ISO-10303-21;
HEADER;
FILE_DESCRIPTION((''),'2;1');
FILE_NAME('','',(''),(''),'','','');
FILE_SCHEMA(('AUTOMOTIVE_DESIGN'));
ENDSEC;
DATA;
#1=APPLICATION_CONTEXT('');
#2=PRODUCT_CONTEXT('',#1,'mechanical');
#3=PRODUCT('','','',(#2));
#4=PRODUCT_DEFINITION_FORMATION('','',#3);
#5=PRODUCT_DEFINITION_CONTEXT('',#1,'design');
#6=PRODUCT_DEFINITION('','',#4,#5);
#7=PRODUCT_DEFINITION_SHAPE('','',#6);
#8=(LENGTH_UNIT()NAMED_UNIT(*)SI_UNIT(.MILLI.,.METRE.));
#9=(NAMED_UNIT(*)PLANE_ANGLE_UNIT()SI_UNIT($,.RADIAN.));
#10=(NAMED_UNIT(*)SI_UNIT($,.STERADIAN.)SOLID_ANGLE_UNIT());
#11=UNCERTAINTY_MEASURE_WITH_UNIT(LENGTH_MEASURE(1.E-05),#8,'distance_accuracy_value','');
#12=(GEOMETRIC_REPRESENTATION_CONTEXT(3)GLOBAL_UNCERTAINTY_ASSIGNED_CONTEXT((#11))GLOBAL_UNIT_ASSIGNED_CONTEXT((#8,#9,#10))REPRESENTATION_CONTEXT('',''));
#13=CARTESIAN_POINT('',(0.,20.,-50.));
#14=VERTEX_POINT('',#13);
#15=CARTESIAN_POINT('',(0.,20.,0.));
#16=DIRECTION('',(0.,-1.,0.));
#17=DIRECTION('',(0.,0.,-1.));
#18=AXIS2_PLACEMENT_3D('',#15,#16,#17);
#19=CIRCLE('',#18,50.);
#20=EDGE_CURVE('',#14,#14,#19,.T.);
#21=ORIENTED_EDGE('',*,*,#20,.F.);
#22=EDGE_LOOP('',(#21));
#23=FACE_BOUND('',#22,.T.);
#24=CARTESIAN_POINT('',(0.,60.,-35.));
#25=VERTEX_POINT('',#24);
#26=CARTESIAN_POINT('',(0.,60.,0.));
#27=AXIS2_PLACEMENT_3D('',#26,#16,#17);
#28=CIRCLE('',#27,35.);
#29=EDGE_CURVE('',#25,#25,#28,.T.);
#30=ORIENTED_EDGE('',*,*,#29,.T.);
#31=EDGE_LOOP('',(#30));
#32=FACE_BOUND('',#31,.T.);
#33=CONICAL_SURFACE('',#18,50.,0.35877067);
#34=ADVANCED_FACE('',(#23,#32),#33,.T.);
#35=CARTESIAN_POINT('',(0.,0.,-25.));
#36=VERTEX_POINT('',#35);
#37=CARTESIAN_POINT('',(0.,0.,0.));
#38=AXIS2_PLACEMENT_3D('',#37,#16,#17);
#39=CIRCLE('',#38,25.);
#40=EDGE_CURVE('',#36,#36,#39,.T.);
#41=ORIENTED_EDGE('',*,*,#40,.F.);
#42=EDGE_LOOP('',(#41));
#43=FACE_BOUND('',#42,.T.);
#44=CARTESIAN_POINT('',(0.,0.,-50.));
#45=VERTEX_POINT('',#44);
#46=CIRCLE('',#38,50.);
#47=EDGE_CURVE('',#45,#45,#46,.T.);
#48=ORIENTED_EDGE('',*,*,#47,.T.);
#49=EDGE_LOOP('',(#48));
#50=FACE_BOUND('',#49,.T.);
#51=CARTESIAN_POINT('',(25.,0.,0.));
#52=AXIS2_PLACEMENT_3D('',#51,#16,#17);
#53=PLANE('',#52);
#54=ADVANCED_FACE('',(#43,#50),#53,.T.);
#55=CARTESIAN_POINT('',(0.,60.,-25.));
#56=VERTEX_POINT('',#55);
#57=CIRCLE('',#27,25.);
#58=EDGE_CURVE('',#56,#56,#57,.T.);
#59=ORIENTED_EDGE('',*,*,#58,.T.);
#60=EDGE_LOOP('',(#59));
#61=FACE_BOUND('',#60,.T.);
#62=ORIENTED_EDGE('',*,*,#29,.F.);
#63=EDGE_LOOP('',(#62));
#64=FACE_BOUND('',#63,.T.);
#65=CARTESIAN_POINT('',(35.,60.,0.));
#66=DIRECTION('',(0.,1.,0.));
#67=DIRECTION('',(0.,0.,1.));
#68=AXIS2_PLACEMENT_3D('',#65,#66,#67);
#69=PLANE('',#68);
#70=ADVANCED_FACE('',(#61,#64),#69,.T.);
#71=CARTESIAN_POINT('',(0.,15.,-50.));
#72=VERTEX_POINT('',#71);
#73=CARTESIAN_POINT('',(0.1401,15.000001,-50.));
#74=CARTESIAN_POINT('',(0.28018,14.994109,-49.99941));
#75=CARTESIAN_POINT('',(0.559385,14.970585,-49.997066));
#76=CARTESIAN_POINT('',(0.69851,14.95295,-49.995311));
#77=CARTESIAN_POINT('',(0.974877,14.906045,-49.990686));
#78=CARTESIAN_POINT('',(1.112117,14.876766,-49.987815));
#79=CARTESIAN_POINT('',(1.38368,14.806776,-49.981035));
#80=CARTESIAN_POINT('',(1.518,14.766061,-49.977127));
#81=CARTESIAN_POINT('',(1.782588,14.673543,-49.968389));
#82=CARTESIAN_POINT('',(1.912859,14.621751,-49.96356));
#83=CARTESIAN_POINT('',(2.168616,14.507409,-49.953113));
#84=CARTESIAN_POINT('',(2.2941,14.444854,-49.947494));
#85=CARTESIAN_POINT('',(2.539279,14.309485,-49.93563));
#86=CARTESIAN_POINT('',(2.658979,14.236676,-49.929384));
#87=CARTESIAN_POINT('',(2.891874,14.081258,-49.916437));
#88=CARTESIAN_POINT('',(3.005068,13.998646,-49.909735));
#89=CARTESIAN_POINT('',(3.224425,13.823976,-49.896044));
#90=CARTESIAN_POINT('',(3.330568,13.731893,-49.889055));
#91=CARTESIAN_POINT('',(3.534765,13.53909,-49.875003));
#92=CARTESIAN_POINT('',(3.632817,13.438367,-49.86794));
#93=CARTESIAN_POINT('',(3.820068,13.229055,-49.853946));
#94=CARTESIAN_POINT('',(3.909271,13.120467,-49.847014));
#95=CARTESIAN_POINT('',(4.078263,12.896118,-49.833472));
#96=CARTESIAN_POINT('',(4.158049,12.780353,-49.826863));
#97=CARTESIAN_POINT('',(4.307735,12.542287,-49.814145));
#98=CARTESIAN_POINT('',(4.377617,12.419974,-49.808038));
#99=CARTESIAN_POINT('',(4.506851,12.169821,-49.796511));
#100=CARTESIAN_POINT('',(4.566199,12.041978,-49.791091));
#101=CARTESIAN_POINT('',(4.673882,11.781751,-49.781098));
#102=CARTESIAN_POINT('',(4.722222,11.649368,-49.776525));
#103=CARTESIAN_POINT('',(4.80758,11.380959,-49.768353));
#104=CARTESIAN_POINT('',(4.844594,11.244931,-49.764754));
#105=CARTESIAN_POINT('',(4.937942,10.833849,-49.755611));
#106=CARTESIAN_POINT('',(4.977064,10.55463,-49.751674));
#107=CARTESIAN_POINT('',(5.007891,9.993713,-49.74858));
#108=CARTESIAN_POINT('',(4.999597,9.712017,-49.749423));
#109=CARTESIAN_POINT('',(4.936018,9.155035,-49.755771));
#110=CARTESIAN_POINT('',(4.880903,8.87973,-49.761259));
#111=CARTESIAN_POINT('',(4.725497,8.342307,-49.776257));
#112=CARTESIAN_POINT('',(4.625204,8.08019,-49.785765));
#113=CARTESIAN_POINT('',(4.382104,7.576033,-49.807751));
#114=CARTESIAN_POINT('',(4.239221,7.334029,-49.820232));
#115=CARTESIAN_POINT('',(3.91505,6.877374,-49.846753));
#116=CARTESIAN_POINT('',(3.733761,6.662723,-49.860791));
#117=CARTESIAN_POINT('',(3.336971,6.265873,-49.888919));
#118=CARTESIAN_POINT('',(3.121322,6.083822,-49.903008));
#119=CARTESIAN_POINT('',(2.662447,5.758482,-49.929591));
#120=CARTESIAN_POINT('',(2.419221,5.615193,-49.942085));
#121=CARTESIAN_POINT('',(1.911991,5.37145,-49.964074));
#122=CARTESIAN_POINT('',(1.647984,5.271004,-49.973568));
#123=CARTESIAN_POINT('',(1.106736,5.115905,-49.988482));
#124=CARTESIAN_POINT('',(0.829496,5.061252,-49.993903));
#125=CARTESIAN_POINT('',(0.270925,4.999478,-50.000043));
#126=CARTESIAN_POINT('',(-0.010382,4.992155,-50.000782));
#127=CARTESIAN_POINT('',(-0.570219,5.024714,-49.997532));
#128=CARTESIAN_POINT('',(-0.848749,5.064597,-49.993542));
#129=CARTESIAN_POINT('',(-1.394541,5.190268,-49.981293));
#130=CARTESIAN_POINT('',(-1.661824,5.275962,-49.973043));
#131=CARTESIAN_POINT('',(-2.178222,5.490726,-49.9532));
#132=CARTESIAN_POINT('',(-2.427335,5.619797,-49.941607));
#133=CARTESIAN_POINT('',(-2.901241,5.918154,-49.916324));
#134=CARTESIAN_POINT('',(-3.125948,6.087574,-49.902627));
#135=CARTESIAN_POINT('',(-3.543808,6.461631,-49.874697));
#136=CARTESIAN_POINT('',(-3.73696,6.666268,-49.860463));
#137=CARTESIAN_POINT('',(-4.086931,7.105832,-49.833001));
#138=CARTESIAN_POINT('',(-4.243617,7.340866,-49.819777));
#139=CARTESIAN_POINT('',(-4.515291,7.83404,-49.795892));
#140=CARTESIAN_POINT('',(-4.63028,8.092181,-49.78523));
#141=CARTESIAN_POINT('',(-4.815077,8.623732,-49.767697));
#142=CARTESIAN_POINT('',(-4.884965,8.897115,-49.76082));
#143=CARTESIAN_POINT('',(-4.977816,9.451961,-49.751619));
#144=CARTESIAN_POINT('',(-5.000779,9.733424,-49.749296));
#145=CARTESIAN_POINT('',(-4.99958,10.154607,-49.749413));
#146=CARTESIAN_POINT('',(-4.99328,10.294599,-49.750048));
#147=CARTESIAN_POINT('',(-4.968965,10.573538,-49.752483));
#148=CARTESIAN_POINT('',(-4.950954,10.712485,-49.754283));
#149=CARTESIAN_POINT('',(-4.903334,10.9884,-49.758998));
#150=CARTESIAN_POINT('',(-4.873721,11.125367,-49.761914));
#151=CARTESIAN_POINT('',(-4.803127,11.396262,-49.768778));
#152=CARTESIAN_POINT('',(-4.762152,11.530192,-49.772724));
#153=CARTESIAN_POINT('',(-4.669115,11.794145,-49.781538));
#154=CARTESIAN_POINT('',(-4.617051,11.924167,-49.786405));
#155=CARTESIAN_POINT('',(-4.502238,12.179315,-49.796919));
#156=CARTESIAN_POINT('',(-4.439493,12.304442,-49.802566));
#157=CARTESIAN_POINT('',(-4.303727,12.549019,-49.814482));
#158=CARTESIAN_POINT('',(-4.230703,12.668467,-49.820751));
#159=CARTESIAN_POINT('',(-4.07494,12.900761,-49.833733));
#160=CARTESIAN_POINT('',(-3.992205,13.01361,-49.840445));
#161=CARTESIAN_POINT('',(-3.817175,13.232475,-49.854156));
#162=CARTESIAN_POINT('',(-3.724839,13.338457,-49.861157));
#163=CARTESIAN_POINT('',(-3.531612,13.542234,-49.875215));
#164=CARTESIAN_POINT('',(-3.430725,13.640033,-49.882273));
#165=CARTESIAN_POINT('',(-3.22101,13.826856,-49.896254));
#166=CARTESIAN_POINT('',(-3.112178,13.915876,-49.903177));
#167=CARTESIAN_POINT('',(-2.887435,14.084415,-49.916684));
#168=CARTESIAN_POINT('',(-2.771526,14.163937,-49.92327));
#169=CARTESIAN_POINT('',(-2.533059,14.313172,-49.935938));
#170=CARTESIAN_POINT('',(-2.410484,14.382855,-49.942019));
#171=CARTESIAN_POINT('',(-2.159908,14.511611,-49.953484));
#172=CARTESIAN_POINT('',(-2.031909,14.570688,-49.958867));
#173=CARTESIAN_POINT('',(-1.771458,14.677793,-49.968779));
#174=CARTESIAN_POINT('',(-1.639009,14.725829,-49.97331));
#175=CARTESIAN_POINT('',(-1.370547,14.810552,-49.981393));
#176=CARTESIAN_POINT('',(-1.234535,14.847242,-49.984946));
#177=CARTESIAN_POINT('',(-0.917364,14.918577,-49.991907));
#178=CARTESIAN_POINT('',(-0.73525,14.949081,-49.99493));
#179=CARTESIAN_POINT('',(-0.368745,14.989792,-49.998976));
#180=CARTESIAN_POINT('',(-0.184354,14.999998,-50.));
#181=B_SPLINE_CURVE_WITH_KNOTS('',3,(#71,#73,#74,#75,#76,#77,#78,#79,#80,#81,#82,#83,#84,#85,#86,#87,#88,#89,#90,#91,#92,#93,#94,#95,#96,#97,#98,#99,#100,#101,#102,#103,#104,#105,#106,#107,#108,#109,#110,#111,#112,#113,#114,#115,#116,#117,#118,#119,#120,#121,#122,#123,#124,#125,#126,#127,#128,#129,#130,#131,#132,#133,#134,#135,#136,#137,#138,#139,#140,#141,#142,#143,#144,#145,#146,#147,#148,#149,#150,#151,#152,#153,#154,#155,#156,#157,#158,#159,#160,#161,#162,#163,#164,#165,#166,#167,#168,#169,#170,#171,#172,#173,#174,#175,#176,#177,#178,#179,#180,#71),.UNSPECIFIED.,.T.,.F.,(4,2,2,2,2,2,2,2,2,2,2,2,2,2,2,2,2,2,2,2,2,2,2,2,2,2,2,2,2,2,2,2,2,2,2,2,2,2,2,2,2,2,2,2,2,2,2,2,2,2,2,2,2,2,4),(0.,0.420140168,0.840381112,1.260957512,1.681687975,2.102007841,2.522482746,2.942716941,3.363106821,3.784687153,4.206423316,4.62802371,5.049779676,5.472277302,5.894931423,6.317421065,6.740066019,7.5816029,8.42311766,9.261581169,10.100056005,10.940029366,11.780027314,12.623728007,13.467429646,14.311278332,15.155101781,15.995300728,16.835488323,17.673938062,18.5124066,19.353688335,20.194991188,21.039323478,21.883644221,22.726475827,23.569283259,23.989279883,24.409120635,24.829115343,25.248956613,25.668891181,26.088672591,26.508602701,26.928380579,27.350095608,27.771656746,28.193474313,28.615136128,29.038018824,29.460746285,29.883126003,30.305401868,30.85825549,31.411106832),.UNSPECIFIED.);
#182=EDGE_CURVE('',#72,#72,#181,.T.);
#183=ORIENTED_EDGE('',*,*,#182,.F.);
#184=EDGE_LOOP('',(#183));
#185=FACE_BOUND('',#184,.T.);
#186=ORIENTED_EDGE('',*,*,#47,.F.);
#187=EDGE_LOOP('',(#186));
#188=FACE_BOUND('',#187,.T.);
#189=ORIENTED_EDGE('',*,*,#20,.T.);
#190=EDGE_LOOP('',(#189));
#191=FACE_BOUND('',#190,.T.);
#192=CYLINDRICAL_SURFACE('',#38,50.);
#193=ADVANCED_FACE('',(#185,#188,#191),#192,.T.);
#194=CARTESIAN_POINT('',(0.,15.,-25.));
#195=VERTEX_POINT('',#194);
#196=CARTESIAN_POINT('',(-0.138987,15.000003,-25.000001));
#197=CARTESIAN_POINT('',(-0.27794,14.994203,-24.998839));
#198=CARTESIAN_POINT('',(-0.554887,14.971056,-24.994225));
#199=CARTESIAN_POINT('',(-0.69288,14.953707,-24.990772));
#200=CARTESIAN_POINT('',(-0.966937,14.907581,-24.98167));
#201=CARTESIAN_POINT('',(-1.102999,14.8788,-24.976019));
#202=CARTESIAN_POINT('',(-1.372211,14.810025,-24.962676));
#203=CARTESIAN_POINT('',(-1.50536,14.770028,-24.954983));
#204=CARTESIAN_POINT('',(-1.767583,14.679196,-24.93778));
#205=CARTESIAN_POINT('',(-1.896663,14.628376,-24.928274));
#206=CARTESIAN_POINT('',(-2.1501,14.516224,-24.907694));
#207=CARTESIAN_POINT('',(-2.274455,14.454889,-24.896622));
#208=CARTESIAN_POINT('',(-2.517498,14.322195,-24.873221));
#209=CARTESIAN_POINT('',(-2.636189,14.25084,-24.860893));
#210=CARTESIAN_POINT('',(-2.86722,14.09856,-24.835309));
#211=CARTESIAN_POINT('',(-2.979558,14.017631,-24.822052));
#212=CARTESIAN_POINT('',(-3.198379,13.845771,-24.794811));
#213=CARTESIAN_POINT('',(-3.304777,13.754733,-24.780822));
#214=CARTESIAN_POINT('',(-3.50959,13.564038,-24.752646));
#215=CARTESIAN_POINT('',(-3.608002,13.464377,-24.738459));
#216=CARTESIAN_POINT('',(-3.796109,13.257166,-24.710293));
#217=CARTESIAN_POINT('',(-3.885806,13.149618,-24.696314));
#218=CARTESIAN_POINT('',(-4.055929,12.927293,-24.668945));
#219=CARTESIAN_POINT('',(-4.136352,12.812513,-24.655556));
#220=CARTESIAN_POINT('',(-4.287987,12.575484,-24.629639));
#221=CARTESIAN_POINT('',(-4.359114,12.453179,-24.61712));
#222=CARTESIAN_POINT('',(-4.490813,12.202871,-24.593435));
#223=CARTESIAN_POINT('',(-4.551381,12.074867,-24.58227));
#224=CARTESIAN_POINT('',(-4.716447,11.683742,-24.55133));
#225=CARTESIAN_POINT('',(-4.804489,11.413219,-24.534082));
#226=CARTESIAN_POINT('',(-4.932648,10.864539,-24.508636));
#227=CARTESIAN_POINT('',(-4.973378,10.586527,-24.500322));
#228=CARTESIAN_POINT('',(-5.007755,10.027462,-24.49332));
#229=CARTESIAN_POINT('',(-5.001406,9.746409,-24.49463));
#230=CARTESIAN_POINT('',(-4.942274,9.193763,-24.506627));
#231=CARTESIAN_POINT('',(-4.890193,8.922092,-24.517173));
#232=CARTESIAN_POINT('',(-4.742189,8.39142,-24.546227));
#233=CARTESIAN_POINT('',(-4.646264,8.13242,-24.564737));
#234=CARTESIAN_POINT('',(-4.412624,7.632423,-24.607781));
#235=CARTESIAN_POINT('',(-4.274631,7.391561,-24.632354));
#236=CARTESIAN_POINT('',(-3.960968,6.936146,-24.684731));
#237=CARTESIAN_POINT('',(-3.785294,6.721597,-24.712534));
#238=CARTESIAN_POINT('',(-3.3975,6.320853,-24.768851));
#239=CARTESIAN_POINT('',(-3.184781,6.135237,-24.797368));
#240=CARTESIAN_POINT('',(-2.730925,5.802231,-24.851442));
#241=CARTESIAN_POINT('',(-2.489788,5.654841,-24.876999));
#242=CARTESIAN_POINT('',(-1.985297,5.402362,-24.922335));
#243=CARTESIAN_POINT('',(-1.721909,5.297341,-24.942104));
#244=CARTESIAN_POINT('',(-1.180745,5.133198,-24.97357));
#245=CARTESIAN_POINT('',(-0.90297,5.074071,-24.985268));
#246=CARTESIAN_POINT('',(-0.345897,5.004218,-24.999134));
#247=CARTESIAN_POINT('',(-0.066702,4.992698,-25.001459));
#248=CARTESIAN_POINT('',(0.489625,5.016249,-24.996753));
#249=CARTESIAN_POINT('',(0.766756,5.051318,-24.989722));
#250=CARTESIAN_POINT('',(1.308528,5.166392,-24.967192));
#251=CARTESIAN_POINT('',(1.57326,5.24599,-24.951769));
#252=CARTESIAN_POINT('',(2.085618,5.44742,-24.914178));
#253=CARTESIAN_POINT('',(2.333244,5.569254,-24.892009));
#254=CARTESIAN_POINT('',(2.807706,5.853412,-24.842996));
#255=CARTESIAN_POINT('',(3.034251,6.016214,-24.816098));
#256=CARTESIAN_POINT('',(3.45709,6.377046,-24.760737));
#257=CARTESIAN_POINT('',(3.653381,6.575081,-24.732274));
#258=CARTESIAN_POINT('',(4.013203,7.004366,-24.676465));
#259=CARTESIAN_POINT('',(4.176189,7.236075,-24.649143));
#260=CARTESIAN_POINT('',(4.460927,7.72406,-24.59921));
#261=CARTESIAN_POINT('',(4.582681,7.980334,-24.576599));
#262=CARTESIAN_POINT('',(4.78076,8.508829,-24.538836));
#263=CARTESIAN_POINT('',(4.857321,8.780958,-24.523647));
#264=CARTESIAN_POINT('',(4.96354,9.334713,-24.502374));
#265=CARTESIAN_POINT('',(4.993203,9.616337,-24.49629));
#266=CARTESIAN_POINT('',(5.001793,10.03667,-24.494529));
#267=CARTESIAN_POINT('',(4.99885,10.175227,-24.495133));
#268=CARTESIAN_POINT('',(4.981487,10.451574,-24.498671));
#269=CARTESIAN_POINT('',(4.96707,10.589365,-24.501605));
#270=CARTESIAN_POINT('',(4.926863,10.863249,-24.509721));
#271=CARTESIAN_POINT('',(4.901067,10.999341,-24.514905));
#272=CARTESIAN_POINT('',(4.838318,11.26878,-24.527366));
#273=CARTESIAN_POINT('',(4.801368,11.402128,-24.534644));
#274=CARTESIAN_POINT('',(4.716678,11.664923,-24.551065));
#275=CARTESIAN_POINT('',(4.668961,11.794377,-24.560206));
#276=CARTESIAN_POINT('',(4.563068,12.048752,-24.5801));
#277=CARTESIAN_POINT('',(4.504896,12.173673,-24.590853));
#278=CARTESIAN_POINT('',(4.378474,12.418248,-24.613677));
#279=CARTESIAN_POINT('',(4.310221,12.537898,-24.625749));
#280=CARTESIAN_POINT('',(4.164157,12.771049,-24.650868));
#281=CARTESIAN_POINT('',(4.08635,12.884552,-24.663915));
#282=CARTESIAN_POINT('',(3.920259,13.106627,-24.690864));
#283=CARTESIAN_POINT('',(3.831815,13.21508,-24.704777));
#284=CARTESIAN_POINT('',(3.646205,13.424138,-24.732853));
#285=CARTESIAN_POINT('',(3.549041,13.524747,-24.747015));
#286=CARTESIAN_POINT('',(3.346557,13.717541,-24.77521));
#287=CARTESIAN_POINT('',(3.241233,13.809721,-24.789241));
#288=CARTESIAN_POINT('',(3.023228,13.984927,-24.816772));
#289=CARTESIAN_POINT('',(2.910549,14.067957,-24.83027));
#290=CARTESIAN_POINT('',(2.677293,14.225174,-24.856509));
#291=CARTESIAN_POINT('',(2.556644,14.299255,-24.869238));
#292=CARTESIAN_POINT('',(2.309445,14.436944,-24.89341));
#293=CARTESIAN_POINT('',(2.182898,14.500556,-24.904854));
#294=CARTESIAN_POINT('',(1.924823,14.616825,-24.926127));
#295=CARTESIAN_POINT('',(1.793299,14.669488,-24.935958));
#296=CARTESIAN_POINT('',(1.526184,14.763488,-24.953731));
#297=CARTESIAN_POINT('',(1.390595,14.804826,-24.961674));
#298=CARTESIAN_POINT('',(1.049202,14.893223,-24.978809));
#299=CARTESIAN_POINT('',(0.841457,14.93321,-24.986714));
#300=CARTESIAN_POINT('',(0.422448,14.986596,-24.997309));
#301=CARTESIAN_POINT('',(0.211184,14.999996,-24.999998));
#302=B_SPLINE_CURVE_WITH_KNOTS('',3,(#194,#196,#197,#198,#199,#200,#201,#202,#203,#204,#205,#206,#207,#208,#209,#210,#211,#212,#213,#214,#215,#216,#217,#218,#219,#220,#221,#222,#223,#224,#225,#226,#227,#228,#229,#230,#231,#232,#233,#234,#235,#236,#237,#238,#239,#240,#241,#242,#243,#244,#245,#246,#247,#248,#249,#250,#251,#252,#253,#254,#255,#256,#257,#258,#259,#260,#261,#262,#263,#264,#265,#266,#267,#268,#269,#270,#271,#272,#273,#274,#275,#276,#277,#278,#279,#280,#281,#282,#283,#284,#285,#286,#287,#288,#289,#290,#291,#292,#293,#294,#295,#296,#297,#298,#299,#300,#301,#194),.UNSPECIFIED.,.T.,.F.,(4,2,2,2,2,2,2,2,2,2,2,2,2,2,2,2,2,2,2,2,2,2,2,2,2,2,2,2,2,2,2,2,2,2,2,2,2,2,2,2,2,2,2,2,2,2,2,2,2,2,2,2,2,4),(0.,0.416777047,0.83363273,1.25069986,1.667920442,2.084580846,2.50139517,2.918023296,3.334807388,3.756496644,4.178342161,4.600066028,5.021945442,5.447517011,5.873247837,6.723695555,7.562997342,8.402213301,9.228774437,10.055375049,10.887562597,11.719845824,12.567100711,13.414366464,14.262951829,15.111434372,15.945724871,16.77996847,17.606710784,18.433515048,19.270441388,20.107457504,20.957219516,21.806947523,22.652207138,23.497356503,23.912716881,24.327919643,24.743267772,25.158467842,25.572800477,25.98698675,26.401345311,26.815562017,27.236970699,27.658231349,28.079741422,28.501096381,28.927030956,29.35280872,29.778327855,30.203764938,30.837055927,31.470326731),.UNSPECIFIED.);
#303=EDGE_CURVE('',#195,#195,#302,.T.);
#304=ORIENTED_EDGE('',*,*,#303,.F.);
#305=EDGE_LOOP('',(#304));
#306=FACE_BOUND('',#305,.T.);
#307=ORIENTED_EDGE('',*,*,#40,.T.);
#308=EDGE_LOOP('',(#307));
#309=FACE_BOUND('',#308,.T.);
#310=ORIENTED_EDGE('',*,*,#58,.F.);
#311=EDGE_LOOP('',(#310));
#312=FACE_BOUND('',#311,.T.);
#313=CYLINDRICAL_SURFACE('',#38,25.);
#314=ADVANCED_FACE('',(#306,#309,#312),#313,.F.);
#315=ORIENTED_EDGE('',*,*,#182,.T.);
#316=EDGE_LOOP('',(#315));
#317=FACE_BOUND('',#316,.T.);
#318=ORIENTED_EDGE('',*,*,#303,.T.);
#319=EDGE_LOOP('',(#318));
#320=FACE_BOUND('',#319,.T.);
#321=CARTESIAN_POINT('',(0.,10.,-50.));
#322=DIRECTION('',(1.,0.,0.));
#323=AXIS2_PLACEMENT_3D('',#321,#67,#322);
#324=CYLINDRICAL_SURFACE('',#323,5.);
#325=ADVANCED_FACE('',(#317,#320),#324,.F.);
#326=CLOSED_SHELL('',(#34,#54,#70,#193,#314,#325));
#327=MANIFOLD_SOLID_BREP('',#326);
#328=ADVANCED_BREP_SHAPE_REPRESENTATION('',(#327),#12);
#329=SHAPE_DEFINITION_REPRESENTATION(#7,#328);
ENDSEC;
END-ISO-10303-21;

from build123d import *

# Parameters (mm, degrees)
SKETCH_2_R          = 5
CUT_EXTRUDE_1_DEPTH = 93.736184955


with BuildPart() as part:
    # 草圖1 → 旋轉1 (revolve)
    with BuildSketch(Plane.XY, mode=Mode.PRIVATE) as revolve_1_sk:
        Polygon((25, 0), (50, 0), (50, 20), (35, 60), (25, 60), align=None)
    revolve(revolve_1_sk.sketch.rotate(Axis((0, 0, 0), (0, 1, 0)), 90), axis=Axis((0, 0, 0), (0, 1, 0)))

    # 草圖2 → 除料-伸長1 (cut, through all)
    with BuildSketch(Plane.XY):
        with Locations(Location((0, 10, 0), (0, 0, 270))):
            Circle(SKETCH_2_R)
    extrude(amount=-CUT_EXTRUDE_1_DEPTH, mode=Mode.SUBTRACT)


solid = part.part
